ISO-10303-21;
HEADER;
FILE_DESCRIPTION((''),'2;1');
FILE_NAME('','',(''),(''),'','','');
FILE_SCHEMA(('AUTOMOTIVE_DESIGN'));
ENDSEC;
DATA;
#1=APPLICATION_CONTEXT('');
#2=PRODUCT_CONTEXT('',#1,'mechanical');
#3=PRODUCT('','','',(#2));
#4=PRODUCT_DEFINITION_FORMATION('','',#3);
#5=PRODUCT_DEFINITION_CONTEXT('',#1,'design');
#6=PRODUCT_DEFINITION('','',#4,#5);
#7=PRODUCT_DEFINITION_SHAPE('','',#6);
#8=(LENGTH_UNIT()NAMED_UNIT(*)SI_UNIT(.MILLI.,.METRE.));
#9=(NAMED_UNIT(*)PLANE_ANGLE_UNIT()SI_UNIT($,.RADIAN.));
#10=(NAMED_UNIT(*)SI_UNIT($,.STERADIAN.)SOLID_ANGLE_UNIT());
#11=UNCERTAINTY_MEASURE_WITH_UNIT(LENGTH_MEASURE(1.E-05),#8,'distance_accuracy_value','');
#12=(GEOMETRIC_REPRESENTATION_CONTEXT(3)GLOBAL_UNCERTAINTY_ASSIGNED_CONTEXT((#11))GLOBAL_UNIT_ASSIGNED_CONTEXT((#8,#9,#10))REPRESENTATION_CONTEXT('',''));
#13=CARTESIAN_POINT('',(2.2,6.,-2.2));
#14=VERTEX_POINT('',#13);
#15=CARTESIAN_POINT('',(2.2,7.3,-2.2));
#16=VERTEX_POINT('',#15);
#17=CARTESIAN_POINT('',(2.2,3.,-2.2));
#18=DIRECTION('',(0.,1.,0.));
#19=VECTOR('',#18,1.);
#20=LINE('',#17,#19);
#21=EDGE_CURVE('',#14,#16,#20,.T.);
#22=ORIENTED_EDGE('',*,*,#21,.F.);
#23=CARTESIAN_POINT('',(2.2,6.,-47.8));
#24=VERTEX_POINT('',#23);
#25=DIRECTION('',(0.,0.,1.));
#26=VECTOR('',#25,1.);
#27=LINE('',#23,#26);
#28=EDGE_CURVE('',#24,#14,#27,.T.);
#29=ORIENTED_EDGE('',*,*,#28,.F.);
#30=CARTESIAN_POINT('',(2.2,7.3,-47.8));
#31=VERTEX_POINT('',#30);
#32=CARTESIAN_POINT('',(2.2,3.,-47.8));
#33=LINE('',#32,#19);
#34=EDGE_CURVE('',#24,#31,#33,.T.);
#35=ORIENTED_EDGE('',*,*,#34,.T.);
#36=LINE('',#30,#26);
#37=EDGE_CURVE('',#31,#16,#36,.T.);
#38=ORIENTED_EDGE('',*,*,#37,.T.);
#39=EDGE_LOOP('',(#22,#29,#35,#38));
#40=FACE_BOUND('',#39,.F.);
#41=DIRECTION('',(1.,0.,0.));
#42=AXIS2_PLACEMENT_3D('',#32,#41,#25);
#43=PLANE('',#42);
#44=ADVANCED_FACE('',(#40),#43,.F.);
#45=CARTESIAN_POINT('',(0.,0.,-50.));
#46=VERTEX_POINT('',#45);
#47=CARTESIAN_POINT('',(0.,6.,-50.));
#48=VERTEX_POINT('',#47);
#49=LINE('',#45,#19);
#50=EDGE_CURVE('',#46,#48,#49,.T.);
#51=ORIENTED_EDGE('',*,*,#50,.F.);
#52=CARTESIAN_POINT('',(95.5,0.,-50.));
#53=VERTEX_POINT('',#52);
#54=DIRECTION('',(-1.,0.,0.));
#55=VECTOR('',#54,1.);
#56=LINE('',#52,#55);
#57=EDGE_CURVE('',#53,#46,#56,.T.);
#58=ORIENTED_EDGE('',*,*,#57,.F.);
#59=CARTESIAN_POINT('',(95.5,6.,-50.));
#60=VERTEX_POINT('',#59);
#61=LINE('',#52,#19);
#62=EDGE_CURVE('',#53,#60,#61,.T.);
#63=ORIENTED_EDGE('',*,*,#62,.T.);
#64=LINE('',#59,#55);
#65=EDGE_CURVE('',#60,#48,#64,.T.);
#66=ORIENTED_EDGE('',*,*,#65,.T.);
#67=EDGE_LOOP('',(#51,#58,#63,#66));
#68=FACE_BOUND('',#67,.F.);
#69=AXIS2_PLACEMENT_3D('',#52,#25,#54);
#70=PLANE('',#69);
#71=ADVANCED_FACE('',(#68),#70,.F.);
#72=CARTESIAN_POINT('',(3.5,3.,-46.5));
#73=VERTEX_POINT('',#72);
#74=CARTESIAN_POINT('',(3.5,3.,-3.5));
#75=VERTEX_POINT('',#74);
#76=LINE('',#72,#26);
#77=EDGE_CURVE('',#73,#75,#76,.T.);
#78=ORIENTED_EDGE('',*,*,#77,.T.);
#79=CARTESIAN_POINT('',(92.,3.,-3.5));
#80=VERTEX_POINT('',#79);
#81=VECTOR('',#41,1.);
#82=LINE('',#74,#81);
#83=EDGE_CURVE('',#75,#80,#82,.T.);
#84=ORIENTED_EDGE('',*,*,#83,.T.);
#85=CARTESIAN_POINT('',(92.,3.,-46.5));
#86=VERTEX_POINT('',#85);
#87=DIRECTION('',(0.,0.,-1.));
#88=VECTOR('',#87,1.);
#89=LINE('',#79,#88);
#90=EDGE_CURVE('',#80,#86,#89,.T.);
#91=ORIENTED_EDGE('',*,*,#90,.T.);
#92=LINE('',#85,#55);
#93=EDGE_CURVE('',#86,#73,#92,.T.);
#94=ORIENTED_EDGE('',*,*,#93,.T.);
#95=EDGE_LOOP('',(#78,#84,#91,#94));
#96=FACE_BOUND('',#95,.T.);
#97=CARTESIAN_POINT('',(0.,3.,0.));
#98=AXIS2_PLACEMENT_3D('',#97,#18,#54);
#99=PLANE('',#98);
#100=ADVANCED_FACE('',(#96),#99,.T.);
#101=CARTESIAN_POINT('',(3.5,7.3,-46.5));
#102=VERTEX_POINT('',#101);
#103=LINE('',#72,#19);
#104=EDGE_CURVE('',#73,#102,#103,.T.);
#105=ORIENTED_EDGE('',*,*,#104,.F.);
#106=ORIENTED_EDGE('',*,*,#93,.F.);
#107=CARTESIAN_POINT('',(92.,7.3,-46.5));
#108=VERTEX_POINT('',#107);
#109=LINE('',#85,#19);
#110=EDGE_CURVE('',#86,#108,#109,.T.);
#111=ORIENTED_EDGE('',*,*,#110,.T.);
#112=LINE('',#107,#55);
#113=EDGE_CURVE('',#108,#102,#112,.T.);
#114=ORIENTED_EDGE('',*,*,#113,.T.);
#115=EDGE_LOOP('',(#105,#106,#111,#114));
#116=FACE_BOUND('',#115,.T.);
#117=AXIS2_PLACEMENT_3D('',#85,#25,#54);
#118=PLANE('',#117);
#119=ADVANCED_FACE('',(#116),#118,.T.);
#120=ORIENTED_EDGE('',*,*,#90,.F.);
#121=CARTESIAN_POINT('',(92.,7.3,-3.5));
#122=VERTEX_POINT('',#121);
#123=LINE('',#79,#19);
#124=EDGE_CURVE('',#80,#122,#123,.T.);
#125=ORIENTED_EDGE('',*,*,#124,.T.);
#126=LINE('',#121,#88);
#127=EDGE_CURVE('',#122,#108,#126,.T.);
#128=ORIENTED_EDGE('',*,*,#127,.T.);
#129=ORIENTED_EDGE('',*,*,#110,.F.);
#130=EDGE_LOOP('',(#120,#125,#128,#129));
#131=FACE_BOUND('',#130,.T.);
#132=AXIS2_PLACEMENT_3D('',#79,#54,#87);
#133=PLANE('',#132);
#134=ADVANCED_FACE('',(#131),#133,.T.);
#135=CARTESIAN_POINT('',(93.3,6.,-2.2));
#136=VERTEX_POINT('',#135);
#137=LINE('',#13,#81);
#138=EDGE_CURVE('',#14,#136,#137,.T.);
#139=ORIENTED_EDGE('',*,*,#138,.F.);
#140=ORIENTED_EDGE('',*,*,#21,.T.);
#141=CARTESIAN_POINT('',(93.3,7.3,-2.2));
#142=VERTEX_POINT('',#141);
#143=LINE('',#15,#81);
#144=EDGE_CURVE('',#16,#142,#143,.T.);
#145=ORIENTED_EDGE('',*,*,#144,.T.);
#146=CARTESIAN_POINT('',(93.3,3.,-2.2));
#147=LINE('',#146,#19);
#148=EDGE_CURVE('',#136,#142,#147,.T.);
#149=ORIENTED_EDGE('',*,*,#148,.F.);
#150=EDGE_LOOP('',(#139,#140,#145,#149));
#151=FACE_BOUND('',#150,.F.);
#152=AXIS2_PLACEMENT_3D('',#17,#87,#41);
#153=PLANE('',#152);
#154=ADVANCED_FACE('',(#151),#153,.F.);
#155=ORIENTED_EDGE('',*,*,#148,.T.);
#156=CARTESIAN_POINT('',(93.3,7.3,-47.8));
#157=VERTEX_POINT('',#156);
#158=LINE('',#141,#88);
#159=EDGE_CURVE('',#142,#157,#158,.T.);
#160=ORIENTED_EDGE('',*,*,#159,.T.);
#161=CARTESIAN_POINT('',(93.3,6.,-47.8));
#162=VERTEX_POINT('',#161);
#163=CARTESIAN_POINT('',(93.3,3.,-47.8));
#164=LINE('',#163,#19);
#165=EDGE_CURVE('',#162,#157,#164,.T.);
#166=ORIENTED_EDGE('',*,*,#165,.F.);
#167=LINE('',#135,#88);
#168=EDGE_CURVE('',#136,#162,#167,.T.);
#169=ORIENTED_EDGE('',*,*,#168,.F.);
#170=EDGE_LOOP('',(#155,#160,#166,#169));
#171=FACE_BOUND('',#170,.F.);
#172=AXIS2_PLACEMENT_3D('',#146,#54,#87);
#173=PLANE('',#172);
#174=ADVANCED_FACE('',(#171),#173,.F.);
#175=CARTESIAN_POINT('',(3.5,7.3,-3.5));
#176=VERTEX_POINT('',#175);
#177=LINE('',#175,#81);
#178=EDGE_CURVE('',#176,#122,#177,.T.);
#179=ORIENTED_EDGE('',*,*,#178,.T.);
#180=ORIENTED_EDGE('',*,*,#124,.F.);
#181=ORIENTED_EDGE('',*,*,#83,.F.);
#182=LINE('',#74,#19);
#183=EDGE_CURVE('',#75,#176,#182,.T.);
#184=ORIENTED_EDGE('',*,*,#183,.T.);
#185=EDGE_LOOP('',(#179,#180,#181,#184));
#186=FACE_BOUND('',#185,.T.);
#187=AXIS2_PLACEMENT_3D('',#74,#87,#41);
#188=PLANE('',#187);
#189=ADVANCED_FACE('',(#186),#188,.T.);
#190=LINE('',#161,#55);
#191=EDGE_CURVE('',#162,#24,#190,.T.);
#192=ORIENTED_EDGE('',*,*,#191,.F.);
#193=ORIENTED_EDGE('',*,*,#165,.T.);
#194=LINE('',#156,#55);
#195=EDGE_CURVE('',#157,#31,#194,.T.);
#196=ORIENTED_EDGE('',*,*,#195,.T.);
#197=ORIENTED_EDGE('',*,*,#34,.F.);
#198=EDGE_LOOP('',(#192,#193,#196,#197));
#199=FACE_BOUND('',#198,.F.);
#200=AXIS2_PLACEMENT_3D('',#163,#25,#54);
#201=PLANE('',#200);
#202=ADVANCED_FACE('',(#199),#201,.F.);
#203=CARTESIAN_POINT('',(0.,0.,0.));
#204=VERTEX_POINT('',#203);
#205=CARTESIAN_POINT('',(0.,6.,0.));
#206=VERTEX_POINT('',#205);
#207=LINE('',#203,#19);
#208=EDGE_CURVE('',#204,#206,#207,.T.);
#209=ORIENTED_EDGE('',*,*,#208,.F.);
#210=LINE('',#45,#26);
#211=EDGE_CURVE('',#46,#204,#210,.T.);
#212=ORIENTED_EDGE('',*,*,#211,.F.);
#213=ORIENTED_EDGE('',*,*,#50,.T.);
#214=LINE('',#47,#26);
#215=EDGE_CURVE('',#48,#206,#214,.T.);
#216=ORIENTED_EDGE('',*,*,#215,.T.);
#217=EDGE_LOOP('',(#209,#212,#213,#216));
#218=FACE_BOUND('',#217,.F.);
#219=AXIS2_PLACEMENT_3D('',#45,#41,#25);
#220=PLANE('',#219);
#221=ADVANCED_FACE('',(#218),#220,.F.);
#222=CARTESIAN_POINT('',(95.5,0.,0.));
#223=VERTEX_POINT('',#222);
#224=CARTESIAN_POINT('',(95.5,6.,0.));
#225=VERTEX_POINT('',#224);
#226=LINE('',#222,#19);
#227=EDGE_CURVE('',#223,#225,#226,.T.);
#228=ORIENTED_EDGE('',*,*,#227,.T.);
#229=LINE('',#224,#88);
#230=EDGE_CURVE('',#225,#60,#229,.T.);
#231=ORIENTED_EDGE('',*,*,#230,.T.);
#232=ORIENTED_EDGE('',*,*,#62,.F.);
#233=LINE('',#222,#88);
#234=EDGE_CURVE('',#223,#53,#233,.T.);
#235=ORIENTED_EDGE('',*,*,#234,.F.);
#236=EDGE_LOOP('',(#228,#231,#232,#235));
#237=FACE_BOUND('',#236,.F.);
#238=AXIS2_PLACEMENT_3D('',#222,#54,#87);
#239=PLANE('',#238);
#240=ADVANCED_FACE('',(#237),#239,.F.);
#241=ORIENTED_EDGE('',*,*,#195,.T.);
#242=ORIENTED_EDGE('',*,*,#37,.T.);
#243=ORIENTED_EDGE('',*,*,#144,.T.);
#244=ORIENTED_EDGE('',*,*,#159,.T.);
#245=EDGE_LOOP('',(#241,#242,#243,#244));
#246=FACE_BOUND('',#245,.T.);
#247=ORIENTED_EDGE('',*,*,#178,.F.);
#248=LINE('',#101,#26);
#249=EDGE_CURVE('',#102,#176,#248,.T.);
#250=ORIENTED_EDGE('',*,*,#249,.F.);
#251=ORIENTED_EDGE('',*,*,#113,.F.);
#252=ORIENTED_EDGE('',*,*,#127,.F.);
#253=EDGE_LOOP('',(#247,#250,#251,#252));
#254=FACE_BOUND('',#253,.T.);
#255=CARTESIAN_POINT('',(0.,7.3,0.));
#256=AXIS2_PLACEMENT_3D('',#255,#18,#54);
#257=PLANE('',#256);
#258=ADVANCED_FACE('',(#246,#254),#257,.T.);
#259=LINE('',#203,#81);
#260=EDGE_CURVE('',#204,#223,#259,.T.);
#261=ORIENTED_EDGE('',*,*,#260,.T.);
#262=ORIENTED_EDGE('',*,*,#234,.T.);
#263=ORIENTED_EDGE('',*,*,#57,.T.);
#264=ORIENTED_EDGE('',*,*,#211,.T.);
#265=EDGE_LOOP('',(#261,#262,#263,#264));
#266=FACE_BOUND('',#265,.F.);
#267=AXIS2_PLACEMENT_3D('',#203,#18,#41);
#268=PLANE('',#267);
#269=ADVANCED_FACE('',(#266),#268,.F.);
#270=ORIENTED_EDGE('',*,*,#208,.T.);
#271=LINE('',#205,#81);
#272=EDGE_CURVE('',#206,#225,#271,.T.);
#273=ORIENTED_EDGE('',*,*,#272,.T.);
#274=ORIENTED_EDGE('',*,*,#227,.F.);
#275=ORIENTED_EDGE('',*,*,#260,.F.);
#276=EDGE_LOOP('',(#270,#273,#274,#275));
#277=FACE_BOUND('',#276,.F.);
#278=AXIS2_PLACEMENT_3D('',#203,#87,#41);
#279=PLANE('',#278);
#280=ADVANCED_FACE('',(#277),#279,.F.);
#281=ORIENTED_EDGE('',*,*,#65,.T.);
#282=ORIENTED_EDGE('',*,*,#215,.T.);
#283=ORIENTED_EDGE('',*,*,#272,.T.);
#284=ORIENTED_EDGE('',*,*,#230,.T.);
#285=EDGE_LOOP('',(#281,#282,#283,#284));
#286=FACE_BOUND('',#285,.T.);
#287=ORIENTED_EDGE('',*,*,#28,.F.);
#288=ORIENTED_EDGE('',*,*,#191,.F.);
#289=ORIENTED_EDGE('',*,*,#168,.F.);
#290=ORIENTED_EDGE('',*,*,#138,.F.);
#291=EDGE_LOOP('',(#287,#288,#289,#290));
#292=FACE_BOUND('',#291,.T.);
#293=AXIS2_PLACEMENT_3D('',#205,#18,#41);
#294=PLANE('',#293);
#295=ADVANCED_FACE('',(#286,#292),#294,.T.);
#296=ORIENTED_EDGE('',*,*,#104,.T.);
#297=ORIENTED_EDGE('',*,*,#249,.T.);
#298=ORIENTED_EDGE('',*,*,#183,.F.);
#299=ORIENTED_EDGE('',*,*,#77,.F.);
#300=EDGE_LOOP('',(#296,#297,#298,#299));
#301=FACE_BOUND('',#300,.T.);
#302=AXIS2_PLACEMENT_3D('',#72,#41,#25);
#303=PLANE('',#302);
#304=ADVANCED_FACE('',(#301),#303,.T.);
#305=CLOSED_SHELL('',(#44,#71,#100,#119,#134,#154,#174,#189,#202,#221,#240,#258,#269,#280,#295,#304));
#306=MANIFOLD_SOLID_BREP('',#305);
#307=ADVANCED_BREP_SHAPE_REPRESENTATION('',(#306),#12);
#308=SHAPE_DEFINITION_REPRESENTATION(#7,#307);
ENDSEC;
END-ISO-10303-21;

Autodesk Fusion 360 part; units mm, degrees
sketch "Sketch1" plane through (0, 0, 0) normal (0, 1, 0) x (1, 0, 0)
  line L0 (0, 0) -> (95.5, 0)
  line L1 (95.5, 0) -> (95.5, 50)
  line L2 (95.5, 50) -> (0, 50)
  line L3 (0, 50) -> (0, 0)
  dimension "d1" = 95.5
  dimension "d2" = 50
extrude "Extrude1" add sketch "Sketch1" along normal blind 6
sketch "Sketch3" plane through (0, 6, 0) normal (0, 1, 0) x (-1, 0, 0)
  line L0 (0, -50) -> (0, 0)
  line L1 (0, 0) -> (-95.5, 0)
  line L2 (-95.5, 0) -> (-95.5, -50)
  line L3 (-95.5, -50) -> (0, -50)
  line L4 (-2.2, -2.2) -> (-93.3, -2.2)
  line L5 (-93.3, -2.2) -> (-93.3, -47.8)
  line L6 (-93.3, -47.8) -> (-2.2, -47.8)
  line L7 (-2.2, -47.8) -> (-2.2, -2.2)
  dimension "d7" = 91.1
  dimension "d8" = 45.6
extrude "Extrude2" cut sketch "Sketch3" against normal blind 3 contours L4 L5 L6 L7
sketch "Sketch4" plane through (0, 3, 0) normal (0, 1, 0) x (-1, 0, 0)
  line L0 (-2.2, -47.8) -> (-2.2, -2.2)
  line L1 (-2.2, -2.2) -> (-93.3, -2.2)
  line L2 (-93.3, -2.2) -> (-93.3, -47.8)
  line L3 (-93.3, -47.8) -> (-2.2, -47.8)
  line L4 (-3.5, -3.5) -> (-92, -3.5)
  line L5 (-92, -3.5) -> (-92, -46.5)
  line L6 (-92, -46.5) -> (-3.5, -46.5)
  line L7 (-3.5, -46.5) -> (-3.5, -3.5)
  dimension "d11" = 88.5
  dimension "d12" = 43
extrude "Extrude3" add sketch "Sketch4" along normal blind 4.3
